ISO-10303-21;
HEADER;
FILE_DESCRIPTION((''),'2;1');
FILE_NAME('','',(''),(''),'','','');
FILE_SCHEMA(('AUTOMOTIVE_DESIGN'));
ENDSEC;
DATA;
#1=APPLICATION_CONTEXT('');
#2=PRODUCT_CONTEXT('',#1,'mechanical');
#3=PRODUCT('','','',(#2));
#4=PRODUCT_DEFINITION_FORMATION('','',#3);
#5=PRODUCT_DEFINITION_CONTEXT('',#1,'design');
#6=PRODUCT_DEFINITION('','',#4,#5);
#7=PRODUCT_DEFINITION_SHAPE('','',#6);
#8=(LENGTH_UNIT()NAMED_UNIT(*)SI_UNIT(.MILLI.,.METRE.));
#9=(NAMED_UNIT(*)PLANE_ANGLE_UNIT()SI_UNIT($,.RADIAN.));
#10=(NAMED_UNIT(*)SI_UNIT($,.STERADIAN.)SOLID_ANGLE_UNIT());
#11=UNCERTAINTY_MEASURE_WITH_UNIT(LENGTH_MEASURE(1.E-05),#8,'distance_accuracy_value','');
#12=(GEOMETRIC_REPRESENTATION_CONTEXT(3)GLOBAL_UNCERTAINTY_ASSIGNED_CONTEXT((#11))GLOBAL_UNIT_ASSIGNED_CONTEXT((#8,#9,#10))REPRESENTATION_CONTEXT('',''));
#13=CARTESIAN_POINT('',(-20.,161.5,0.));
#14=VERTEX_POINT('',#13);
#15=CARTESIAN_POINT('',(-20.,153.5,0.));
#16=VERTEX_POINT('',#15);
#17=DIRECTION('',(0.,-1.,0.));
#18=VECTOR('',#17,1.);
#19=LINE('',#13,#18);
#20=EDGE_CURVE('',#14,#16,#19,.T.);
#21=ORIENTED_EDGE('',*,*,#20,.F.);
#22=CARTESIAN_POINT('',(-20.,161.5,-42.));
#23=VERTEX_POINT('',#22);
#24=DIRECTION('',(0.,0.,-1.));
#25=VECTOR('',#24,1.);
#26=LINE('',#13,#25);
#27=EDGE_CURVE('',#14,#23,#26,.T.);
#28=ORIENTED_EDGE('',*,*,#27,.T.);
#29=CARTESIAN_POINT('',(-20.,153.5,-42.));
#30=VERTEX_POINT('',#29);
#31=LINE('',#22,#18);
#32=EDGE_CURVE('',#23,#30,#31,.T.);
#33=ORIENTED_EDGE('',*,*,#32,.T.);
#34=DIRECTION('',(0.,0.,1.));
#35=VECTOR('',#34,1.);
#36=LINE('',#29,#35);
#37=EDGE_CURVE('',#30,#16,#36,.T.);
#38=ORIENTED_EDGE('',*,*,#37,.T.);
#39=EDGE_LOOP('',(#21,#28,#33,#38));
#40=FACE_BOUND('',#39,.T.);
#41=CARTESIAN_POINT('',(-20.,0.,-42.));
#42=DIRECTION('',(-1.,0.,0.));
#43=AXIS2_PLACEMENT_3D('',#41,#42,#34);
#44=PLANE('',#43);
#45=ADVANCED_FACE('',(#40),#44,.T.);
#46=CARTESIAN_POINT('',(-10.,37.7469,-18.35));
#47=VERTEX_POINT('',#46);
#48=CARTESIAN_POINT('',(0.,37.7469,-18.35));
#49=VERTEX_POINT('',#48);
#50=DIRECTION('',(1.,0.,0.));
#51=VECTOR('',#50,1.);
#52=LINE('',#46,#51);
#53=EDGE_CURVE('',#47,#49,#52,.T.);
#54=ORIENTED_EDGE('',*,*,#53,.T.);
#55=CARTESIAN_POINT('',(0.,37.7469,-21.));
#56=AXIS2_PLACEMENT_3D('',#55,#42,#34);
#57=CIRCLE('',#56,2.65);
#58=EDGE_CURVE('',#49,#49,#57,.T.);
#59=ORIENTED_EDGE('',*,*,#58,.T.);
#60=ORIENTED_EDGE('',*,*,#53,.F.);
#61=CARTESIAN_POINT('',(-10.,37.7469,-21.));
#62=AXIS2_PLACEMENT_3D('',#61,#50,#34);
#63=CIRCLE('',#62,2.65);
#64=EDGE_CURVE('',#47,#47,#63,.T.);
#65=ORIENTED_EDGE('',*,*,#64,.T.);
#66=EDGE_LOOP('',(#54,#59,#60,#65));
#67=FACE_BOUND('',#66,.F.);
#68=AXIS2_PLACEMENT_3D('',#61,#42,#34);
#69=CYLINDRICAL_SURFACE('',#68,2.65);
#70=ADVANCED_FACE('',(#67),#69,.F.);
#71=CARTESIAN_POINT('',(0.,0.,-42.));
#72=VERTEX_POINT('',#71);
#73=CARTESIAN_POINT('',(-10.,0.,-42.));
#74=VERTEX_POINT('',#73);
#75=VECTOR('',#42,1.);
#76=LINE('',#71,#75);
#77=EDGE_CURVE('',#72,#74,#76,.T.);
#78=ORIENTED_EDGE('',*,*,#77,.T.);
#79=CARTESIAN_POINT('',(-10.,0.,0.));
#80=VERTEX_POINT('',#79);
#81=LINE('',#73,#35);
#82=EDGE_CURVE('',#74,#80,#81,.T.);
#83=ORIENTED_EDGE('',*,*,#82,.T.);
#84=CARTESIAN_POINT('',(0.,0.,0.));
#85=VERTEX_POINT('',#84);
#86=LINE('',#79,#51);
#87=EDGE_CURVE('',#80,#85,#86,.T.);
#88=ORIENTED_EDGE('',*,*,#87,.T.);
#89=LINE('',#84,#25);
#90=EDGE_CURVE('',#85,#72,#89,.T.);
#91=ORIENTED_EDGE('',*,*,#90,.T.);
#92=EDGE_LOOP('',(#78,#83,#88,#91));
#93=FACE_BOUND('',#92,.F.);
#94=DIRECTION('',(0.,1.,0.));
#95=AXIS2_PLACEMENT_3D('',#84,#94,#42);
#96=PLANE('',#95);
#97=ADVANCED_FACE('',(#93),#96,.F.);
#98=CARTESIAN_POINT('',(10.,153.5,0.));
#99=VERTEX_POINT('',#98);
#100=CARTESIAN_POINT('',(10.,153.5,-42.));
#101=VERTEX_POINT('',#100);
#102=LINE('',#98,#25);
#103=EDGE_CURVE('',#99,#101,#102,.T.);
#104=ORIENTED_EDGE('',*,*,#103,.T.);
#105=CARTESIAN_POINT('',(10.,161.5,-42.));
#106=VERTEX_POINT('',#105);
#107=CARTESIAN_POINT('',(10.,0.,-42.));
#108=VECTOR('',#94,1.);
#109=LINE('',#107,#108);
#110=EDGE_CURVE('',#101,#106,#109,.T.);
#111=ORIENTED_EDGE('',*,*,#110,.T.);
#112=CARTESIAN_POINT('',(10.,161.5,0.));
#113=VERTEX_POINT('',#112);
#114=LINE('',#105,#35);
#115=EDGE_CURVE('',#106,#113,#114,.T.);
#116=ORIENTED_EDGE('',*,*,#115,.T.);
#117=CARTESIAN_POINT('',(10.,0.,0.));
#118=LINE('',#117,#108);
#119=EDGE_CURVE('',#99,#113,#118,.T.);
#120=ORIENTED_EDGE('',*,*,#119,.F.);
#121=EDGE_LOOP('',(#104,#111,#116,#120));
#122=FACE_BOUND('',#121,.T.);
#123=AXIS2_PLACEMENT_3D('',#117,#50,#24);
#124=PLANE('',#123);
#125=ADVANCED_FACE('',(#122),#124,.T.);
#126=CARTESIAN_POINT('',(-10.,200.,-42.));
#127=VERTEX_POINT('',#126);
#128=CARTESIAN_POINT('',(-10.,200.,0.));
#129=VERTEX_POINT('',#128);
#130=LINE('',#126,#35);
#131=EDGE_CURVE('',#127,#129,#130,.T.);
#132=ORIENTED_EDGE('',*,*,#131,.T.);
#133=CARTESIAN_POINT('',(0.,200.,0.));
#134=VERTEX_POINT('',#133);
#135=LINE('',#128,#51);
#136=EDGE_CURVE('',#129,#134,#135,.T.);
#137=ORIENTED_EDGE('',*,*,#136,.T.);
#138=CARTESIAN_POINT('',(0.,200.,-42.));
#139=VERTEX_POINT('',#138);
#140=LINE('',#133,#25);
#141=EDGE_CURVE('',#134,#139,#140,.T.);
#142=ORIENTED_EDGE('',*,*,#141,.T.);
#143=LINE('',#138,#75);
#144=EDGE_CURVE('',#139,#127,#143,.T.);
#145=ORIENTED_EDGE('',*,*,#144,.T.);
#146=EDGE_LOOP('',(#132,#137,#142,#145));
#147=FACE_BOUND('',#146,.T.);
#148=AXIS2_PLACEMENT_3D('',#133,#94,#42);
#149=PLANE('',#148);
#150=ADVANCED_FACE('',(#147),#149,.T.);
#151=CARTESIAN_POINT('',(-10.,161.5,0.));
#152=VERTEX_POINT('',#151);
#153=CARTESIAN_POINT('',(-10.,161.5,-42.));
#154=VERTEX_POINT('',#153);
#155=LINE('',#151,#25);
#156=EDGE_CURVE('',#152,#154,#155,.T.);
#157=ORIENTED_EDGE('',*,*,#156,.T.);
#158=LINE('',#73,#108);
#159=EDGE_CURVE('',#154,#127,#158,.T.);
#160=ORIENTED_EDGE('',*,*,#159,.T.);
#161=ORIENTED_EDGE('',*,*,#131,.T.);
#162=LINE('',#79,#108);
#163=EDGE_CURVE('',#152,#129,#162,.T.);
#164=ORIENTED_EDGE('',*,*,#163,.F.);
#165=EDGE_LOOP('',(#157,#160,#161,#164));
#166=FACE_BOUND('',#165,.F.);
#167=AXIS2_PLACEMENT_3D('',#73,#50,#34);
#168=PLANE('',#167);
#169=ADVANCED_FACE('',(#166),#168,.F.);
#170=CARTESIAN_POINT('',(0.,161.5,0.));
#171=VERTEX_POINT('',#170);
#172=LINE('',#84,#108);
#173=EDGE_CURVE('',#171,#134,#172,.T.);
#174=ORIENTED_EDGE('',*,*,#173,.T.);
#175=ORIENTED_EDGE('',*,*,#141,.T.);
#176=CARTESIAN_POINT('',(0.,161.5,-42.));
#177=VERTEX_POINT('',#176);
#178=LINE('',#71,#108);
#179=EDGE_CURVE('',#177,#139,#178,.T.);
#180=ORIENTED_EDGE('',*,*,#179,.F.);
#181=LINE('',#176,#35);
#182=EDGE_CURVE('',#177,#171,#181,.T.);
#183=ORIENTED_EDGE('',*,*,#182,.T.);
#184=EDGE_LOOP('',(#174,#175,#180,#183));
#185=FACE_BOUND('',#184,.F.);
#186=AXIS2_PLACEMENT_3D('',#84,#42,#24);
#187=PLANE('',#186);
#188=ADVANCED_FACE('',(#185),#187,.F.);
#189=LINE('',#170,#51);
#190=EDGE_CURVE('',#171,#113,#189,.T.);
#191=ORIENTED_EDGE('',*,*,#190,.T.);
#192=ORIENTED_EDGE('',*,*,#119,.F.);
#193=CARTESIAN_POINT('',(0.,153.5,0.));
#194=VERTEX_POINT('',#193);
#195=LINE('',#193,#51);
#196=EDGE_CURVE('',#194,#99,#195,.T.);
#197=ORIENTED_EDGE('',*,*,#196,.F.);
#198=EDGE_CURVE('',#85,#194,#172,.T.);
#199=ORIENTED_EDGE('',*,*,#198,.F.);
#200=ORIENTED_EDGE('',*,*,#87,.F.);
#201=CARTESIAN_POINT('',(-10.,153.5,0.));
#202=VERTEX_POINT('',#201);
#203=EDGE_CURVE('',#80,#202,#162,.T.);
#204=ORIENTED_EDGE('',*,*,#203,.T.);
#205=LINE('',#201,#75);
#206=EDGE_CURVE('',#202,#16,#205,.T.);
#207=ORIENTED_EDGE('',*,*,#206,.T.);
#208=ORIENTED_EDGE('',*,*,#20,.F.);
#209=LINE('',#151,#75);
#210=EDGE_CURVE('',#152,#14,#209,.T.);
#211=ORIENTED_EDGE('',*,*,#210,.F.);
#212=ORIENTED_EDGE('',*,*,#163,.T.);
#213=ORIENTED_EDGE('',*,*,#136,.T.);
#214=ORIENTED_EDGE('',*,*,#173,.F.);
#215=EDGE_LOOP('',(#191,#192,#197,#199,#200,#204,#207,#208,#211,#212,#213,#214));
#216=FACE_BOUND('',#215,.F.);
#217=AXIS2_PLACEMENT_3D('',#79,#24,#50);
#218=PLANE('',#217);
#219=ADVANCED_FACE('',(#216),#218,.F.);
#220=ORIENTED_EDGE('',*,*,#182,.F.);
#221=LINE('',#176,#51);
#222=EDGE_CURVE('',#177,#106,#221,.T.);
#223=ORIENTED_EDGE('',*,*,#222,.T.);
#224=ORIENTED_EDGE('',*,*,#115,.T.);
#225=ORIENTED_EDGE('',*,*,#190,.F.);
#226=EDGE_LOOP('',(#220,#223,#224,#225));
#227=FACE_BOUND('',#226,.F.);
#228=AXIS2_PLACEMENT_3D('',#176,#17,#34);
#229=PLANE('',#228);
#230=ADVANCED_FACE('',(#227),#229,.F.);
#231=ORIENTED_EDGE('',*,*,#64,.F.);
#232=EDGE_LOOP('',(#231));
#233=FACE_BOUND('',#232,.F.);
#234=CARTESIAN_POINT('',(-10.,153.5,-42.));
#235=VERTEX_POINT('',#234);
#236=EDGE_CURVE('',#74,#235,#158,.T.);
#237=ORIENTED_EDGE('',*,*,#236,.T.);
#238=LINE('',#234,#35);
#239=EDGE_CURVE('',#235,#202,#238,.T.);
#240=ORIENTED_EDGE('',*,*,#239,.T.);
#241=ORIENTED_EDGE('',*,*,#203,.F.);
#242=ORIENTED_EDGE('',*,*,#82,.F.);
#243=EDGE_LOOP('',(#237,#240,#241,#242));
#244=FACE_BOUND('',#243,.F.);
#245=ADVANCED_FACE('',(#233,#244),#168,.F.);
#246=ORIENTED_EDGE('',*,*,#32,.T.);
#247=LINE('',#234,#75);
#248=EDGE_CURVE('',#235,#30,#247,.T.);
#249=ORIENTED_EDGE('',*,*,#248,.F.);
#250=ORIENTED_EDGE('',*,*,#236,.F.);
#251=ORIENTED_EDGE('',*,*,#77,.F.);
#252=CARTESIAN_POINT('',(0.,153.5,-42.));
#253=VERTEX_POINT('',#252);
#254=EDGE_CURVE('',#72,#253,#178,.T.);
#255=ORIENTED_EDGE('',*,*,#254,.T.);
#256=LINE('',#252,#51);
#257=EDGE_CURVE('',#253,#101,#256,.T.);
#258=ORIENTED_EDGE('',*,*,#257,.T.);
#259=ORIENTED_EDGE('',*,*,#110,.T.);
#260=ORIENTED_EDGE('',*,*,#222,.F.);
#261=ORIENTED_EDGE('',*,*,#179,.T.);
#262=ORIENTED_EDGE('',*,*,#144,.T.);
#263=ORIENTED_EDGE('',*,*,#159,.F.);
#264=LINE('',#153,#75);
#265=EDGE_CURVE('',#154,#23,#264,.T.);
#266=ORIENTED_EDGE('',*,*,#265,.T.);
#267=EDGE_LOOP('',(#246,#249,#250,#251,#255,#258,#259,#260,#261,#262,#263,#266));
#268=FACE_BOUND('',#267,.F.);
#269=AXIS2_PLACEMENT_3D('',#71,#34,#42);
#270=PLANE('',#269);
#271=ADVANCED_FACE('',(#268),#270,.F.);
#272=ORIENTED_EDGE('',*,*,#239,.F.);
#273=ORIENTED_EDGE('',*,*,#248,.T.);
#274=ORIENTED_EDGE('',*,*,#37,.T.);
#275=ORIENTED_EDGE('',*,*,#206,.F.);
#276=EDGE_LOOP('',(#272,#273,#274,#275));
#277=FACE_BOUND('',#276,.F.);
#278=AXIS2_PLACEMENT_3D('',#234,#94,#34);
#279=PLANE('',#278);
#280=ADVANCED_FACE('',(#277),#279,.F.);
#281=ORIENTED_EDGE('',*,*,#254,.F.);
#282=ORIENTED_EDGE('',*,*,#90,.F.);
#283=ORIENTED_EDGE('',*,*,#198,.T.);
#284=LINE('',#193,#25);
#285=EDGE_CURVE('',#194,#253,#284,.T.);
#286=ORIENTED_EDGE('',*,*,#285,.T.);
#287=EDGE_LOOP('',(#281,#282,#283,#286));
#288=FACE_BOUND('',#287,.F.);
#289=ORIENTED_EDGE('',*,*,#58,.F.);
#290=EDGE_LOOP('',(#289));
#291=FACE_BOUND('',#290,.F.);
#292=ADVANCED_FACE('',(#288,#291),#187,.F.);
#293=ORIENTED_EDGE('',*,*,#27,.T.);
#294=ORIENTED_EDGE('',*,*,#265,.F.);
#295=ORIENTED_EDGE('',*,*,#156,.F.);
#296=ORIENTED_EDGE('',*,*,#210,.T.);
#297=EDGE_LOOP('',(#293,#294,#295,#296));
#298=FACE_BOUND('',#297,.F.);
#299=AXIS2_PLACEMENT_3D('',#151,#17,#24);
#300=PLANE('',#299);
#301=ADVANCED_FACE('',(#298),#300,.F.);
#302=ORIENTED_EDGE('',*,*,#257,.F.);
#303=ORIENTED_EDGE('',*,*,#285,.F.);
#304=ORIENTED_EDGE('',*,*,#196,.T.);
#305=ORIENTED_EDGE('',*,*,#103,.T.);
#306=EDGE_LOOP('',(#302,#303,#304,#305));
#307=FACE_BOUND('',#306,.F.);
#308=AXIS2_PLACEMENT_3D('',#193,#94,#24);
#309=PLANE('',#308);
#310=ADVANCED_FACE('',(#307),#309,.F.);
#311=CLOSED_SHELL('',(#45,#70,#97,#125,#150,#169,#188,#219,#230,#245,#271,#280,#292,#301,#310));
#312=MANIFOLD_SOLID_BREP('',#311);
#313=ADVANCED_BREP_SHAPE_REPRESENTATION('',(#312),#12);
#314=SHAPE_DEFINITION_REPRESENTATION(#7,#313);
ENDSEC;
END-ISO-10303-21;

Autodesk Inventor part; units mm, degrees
ref_plane "YZ Plane" through (0, 0, 0) normal (1, 0, 0) x (0, 1, 0)
ref_plane "XZ Plane" through (0, 0, 0) normal (0, 1, 0) x (-1, 0, 0)
ref_plane "XY Plane" through (0, 0, 0) normal (0, 0, 1) x (1, 0, 0)
sketch "Sketch1" plane through (0, 0, 0) normal (0, 1, 0) x (-1, 0, 0)
  line L0 (0, 0) -> (0, -42)
  line L1 (0, -42) -> (10, -42)
  line L2 (10, -42) -> (10, 0)
  line L3 (10, 0) -> (0, 0)
  dimension "d0" = 42
  dimension "d1" = 10
  dimension "d2" = 42
extrude "Extrusion1" add sketch "Sketch1" along normal blind 200
sketch "Sketch2" plane through (0, 0, 0) normal (1, 0, 0) x (0, 0, -1)
  line L0 (42, 200) -> (0, 200) projected
  line L1 (42, 200) -> (42, 161.5)
  line L2 (42, 0) -> (42, 200) projected
  line L3 (42, 161.5) -> (0, 161.5)
  line L4 (0, 0) -> (0, 200) projected
  line L5 (0, 161.5) -> (0, 153.5)
  line L6 (0, 153.5) -> (42, 153.5)
  line L7 (42, 153.5) -> (42, 161.5)
  dimension "d5" = 38.5
  dimension "d6" = 8
extrude "Extrusion2" add sketch "Sketch2" along normal blind 10 contours L2 L6 L4 L3
sketch "Sketch3" plane through (-10, 0, -42) normal (-1, 0, 0) x (0, 0, 1)
  line L0 (42, 161.5) -> (42, 200) projected
  line L1 (42, 200) -> (42, 161.5)
  line L2 (42, 161.5) -> (0, 161.5)
  line L3 (0, 153.5) -> (42, 153.5) projected
  line L4 (0, 161.5) -> (0, 153.5)
  line L5 (42, 161.5) -> (42, 153.5) projected
  line L6 (0, 153.5) -> (42, 153.5)
  line L7 (42, 153.5) -> (42, 161.5)
  point P0 (42, 0)
  dimension "d9" = 38.5
extrude "Extrusion3" add sketch "Sketch3" along normal blind 10
sketch "Sketch4" plane through (-10, 0, -42) normal (-1, 0, 0) x (0, 0, 1)
  line L0 (42, 0) -> (42, 153.5) projected
  line L1 (42, 18.0001) -> (0, 57.4937)
  line L2 (0, 0) -> (0, 153.5) projected
  circle A0 centre (21, 37.7469) radius 2.65
  dimension "d12" = 5.3
extrude "Extrusion4" cut sketch "Sketch4" against normal blind 10
properties part number "pared"
